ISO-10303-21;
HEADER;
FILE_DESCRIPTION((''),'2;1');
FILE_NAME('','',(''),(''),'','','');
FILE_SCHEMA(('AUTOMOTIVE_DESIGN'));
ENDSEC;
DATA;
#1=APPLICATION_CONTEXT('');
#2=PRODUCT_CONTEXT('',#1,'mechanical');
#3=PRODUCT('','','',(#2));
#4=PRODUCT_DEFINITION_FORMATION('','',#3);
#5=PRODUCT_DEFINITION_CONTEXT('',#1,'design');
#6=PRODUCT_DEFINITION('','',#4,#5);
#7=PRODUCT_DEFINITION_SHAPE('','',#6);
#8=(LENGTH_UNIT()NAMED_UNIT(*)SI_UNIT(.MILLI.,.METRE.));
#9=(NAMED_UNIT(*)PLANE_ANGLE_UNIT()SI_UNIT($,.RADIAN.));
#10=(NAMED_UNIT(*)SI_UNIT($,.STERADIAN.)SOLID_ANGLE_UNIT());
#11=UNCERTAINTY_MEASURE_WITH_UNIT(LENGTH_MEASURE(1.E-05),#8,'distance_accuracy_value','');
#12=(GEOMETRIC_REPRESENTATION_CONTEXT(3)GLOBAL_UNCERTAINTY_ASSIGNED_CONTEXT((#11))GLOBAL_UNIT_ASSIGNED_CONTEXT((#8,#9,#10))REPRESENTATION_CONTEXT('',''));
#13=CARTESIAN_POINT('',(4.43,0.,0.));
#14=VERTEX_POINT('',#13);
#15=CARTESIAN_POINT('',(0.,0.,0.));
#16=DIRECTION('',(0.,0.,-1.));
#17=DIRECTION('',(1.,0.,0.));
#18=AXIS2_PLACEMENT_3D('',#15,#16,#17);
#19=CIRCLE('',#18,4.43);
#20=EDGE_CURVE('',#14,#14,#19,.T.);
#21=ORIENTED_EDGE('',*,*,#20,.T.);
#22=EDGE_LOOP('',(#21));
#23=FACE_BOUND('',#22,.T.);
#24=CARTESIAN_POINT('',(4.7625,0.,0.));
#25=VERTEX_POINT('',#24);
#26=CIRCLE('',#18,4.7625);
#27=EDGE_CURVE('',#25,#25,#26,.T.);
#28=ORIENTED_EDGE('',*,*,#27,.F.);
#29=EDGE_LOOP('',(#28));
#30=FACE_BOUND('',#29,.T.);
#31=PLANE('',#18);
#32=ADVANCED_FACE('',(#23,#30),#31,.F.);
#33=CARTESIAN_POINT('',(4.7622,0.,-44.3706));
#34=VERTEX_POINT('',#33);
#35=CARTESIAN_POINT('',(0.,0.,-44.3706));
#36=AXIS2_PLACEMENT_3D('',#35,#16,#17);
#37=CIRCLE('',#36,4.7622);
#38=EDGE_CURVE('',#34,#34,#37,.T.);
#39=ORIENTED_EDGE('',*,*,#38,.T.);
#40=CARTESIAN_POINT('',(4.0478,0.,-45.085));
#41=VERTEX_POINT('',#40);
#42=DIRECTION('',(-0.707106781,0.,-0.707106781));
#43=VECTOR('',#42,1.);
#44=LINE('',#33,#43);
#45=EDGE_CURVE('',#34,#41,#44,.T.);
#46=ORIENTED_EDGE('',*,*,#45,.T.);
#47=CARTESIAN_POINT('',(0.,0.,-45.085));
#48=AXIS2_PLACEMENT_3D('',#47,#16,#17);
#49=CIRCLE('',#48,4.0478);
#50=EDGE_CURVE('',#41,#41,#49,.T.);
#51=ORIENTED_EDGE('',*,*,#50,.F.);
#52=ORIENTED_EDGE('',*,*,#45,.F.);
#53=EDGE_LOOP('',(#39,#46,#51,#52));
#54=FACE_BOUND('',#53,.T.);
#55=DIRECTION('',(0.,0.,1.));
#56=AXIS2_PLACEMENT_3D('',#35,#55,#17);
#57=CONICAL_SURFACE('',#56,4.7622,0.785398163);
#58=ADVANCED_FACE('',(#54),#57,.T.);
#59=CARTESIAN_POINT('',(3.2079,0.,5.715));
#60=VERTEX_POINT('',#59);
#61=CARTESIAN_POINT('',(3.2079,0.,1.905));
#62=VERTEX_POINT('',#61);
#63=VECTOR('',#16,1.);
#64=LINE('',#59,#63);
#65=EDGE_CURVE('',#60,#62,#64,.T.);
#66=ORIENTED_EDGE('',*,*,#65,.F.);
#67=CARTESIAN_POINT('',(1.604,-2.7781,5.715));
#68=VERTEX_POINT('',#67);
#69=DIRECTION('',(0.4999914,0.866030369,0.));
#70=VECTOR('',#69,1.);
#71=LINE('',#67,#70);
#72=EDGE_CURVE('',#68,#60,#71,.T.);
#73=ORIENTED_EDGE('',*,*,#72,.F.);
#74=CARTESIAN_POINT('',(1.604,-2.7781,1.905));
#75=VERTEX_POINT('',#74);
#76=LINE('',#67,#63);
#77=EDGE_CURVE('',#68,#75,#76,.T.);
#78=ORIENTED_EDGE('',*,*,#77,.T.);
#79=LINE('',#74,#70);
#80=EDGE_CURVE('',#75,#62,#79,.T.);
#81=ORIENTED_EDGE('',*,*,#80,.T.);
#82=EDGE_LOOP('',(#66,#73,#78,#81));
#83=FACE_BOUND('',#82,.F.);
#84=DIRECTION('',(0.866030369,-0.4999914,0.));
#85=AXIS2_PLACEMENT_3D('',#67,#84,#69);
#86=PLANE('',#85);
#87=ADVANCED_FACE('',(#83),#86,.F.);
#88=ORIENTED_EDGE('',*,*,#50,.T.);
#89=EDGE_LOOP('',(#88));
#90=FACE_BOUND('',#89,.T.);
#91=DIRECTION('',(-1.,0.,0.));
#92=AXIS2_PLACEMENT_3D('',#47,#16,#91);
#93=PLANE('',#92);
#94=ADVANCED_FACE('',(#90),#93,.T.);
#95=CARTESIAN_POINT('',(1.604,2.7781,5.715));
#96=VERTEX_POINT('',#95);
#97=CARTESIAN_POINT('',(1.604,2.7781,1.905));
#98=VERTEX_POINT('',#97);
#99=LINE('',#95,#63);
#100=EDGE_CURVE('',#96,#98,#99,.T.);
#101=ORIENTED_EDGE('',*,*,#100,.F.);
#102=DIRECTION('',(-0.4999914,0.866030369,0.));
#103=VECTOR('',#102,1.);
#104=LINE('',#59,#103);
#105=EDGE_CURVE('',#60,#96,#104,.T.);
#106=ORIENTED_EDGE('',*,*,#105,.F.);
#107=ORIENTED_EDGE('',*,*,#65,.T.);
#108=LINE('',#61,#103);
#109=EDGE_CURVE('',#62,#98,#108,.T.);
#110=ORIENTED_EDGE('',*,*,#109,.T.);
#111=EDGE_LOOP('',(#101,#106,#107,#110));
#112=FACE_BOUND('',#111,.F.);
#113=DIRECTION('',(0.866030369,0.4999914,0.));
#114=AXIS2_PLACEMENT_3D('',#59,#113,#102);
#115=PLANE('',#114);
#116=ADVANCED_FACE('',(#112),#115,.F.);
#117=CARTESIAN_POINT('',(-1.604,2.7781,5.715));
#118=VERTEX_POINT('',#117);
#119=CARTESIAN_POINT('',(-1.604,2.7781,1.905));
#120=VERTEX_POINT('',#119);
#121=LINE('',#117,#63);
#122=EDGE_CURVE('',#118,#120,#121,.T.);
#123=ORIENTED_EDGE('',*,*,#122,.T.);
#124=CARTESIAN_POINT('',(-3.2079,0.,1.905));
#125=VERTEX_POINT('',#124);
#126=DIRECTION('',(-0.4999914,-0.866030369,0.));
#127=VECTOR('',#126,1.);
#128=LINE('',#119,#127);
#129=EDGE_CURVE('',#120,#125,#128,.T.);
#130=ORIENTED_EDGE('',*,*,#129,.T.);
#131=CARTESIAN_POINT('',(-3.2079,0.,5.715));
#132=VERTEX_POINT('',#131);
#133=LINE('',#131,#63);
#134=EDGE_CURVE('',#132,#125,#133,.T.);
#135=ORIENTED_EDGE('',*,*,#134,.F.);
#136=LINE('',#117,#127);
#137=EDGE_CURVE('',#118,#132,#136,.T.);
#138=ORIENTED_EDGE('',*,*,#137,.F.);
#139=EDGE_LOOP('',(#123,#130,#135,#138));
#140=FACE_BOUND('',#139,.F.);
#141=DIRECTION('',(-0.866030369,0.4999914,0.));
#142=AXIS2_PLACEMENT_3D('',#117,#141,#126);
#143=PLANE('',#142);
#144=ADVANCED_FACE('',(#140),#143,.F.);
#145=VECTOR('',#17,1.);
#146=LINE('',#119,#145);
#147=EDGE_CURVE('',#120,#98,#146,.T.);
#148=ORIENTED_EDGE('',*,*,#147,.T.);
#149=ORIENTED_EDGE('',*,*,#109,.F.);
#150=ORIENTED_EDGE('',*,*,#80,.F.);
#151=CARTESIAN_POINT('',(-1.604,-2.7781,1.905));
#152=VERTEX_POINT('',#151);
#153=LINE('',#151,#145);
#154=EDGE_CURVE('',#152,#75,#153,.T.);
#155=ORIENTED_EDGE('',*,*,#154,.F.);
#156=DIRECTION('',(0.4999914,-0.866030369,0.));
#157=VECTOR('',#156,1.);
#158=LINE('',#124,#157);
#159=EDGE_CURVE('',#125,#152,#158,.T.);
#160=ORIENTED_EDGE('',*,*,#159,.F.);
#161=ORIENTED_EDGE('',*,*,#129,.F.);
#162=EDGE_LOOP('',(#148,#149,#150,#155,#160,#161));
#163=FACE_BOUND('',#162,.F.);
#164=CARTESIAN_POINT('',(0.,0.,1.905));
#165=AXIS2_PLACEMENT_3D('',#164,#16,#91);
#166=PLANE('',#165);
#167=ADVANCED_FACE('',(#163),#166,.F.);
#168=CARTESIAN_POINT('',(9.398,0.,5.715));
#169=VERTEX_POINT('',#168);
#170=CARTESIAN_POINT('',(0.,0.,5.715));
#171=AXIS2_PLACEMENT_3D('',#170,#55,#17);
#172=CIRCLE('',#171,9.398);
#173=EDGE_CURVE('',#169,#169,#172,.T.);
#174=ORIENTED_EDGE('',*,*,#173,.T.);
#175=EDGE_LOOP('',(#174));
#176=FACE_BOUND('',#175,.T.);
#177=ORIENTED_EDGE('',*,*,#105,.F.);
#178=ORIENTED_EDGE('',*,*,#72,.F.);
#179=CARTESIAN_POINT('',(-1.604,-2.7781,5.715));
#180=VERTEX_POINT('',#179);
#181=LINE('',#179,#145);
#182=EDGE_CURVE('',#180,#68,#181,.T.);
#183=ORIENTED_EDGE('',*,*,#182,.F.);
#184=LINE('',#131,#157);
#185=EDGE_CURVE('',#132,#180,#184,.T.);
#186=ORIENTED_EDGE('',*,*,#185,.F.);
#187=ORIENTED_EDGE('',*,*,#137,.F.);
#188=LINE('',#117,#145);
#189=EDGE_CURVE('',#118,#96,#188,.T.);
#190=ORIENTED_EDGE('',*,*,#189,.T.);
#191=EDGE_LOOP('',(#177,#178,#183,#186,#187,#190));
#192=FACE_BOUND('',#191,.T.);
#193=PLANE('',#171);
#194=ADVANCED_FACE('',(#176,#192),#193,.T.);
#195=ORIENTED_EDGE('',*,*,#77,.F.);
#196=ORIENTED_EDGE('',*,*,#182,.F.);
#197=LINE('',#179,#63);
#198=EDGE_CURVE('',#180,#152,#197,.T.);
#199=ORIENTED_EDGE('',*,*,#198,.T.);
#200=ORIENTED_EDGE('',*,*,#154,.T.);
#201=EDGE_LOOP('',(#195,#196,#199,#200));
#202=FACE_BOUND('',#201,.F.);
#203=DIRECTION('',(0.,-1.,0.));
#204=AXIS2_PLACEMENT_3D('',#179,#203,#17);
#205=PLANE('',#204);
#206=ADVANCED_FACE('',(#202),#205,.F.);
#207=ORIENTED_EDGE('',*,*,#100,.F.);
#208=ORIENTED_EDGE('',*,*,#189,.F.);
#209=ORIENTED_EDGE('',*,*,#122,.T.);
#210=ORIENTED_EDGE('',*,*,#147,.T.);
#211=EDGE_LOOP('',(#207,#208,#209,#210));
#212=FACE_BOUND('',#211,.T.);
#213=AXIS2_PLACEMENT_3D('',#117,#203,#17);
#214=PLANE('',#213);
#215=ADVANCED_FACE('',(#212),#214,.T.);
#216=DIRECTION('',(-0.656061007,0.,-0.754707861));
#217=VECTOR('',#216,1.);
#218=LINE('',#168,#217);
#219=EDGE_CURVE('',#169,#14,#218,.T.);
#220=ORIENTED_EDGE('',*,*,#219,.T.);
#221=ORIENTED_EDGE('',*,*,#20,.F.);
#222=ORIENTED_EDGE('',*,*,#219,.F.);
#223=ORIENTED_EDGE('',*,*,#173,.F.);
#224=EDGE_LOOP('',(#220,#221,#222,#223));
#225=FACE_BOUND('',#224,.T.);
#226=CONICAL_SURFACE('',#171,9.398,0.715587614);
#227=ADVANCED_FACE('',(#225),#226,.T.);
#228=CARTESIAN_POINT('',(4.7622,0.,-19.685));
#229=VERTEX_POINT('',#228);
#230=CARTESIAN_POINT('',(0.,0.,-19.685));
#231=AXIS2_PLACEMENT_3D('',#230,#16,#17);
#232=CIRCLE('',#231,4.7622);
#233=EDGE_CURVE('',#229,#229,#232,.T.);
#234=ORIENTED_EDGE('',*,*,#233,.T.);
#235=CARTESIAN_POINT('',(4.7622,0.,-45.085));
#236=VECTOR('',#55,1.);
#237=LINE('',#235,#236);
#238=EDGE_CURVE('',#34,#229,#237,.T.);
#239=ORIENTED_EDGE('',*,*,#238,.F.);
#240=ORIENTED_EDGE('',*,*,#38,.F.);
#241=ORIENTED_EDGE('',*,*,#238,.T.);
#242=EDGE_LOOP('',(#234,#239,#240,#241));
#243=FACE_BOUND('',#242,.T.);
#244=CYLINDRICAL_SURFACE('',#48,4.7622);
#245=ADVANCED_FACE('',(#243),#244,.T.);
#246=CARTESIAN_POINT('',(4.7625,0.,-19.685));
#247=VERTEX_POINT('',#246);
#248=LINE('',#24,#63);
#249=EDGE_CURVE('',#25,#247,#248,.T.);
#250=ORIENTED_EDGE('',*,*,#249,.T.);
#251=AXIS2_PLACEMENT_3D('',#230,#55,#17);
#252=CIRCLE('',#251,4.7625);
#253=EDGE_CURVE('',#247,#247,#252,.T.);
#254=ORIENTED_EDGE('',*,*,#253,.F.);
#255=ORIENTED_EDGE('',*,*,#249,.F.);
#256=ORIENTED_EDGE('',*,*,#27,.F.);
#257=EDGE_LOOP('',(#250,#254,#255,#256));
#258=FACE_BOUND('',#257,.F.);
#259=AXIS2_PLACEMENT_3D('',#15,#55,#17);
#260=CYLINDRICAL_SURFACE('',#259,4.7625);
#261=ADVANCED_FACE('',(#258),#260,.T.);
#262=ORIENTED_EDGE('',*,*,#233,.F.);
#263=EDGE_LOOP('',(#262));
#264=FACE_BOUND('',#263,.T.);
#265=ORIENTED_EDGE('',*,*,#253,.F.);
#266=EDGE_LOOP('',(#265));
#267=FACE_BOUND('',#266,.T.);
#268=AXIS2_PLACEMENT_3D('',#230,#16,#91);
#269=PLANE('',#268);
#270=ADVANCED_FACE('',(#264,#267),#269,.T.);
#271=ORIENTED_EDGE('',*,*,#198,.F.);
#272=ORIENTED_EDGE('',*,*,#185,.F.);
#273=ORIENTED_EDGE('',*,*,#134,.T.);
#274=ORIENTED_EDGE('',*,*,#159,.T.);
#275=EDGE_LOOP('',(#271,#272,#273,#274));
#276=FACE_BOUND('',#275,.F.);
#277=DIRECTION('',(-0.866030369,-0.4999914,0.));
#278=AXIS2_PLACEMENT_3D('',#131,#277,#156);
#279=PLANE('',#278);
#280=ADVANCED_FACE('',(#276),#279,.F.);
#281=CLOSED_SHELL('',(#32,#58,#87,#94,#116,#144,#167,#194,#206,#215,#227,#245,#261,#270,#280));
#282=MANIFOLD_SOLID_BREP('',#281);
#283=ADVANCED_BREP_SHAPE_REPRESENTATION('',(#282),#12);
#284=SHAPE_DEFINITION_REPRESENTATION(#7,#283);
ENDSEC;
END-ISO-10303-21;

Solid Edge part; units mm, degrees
sketch "Sketch1" plane through (0, 0, 0) normal (0, 0, 1) x (1, 0, 0)
  circle A0 centre (0, 0) radius 9.398
  dimension "D1" = 18.796
extrude "Protrusion1" add sketch "Sketch1" along normal blind 5.715
sketch "Sketch2" plane through (0, 0, 0) normal (0, 0, -1) x (1, 0, 0)
  circle A0 centre (0, 0) radius 4.7625
extrude "Protrusion2" add sketch "Sketch2" along normal blind 45.085
sketch "Sketch3" plane through (0, 0, -45.085) normal (0, 0, -1) x (1, 0, 0)
  circle A0 centre (0, 0) radius 4.7622
extrude "Cutout1" cut sketch "Sketch3" against normal blind 25.4 flip side to cut
chamfer "Chamfer_1" distance 0.7144 angle 45 1 edges at (-4.7622, 0, -45.085)
sketch "Sketch4" plane through (0, 0, 5.715) normal (0, 0, 1) x (1, 0, 0)
  line L0 (-1.604, 2.7781) -> (1.604, 2.7781)
  line L1 (3.2079, 0) -> (1.604, 2.7781)
  line L2 (1.604, -2.7781) -> (3.2079, 0)
  line L3 (-1.604, -2.7781) -> (1.604, -2.7781)
  line L4 (-3.2079, 0) -> (-1.604, -2.7781)
  line L5 (-1.604, 2.7781) -> (-3.2079, 0)
  dimension "D1" = 5.5562
extrude "Cutout2" cut sketch "Sketch4" against normal blind 3.81
sketch "Sketch5" plane through (0, 0, 0) normal (0, -1, 0) x (1, 0, 0)
  line L0 (9.398, 5.715) -> (4.43, 0)
  line L1 (4.43, 0) -> (9.398, 0)
  line L2 (9.398, 0) -> (9.398, 5.715)
revolve "RevolvedCutout1" cut sketch "Sketch5" angle 360 about axis through (0, 0, 14.0017) along (0, 0, -1)
properties part number "24101635"
